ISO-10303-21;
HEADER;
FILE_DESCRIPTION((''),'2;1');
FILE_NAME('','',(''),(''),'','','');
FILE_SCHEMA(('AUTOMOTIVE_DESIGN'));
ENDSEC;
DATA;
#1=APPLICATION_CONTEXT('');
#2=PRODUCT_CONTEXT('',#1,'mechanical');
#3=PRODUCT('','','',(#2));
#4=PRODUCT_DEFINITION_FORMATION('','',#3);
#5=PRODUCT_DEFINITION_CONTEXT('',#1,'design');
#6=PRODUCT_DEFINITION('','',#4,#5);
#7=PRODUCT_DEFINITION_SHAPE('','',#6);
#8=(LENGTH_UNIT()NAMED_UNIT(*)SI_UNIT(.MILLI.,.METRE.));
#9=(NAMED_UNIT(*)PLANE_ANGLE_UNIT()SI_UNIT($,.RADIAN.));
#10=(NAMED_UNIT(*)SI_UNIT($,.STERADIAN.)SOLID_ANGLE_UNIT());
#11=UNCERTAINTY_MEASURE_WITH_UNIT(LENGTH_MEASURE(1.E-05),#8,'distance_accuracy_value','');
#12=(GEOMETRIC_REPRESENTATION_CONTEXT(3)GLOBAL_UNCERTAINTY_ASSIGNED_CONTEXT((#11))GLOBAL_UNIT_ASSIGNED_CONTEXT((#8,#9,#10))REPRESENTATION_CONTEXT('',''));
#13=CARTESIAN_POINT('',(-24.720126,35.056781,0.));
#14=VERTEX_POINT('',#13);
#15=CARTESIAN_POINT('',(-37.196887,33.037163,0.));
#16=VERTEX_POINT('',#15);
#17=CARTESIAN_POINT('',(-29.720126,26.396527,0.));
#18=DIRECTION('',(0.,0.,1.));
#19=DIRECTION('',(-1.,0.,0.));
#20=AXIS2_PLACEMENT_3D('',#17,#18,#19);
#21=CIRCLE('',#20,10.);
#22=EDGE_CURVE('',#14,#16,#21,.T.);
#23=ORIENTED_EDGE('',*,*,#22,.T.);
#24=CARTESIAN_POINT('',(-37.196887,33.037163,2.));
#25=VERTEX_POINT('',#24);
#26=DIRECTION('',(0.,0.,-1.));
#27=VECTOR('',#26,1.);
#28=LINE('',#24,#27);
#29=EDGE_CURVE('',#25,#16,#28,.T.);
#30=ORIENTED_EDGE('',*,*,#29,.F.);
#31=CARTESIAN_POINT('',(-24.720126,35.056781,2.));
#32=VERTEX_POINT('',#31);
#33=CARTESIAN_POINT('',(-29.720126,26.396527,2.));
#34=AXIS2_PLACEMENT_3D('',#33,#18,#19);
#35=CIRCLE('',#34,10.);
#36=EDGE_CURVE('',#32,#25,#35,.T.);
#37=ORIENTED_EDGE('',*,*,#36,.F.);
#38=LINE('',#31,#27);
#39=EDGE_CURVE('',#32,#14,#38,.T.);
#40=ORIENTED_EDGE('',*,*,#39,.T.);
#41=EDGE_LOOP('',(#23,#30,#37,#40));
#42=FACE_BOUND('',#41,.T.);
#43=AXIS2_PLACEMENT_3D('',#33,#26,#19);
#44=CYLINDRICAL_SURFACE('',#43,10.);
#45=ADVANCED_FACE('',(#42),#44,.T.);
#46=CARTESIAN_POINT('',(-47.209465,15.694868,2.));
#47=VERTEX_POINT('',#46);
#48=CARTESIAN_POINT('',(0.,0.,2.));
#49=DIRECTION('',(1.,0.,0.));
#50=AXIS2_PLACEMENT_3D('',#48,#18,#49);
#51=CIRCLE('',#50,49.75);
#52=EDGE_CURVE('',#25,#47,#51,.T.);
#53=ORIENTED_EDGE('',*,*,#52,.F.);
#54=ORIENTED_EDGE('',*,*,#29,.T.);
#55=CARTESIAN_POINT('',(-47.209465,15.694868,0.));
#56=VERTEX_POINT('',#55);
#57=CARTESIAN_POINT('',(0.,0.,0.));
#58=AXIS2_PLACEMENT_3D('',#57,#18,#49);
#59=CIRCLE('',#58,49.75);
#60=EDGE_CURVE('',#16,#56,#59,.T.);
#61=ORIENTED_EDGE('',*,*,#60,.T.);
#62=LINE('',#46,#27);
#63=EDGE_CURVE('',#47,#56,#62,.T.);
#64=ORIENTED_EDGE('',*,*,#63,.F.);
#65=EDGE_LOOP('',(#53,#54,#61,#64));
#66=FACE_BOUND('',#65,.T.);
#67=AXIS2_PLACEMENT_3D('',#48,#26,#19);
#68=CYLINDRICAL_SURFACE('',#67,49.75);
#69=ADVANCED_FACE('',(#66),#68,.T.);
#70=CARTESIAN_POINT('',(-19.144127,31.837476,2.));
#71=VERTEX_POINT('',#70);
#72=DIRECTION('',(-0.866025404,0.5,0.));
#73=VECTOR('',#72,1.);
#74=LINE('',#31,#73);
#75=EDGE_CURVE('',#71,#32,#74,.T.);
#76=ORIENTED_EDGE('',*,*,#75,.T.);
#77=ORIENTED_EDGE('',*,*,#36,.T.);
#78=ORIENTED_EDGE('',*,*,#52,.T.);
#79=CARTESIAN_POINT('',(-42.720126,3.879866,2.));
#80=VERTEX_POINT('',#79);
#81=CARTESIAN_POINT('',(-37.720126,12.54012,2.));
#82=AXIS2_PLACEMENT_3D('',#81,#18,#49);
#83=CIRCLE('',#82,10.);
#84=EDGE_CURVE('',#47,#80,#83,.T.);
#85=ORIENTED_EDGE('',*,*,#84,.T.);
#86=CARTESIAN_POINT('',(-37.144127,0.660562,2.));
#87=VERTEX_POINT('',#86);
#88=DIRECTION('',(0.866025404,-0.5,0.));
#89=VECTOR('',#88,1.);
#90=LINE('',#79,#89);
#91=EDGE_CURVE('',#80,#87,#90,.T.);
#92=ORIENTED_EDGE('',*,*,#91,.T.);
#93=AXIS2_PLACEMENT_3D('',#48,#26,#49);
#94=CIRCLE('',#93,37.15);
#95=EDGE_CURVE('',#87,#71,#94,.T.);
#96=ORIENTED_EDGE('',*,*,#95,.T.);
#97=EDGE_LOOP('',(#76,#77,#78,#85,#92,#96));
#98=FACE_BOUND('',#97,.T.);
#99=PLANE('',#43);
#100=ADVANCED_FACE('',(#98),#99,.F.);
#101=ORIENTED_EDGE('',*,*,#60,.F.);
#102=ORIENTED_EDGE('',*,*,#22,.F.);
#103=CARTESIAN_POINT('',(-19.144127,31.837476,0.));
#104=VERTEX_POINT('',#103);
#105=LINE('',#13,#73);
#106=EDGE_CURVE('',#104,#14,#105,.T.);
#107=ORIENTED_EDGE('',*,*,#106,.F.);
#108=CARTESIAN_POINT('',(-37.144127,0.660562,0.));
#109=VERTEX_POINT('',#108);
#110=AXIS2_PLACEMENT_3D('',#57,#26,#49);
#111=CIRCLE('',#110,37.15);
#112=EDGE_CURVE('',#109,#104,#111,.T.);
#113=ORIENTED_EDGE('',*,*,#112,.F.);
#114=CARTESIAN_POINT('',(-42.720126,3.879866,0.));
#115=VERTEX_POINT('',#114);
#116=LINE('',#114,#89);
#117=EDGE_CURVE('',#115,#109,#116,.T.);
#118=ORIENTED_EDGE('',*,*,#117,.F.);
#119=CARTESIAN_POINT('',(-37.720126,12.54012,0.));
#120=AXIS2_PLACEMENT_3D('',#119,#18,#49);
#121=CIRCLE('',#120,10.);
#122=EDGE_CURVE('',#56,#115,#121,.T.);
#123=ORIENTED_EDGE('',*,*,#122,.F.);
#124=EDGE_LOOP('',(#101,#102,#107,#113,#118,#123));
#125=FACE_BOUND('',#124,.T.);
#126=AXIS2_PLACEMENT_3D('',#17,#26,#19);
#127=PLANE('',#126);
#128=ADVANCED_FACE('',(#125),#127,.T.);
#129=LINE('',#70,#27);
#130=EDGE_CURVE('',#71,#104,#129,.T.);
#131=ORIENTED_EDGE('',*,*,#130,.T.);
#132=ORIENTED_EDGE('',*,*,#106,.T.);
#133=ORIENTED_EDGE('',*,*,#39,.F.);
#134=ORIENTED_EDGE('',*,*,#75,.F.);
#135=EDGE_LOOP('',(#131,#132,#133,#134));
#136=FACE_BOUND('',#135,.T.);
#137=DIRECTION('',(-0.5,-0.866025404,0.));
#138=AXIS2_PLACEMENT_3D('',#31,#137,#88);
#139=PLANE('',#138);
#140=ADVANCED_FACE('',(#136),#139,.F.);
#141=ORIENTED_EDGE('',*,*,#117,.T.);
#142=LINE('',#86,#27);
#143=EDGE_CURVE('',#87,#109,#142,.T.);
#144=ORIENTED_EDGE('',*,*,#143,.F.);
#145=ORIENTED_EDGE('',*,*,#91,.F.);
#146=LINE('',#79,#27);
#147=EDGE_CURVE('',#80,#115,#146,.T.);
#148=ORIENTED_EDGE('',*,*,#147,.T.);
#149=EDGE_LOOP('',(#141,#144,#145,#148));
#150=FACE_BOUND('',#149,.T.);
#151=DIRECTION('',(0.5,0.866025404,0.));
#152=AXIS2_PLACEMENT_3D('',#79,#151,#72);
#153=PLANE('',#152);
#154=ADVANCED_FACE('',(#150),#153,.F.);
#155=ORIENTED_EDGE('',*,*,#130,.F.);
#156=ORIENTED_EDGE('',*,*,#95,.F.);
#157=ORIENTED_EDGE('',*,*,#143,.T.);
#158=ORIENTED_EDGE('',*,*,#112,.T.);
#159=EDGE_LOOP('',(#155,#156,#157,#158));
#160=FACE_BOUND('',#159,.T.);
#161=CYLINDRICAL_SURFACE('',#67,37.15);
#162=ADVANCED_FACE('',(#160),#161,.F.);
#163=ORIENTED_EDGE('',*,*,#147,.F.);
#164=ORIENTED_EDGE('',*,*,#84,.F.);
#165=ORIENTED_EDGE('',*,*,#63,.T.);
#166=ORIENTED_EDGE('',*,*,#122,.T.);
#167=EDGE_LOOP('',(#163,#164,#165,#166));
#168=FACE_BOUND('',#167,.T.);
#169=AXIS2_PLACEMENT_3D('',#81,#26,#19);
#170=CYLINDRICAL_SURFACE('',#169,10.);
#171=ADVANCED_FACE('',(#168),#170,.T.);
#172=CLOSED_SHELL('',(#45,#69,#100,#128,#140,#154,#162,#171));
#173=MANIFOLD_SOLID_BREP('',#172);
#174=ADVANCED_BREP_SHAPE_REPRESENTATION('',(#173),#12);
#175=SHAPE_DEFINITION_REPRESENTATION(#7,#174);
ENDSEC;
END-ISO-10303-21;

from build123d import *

# Parameters (mm, degrees)
BOSS_EXTRUDE1_DEPTH = 2


with BuildPart() as part:
    # Sketch1 → Boss-Extrude1 (new body)
    with BuildSketch(Plane.XY):
        with BuildLine():
            Line((-42.720125667, 3.879866363), (-37.14412683, 0.660561933))
            ThreePointArc((-37.14412683, 0.660561933), (-32.172843751, 18.575), (-19.14412683, 31.837476469))
            Line((-19.14412683, 31.837476469), (-24.720125667, 35.056780899))
            ThreePointArc((-24.720125667, 35.056780899), (-31.318030873, 36.268036318), (-37.196886841, 33.03716255))
            ThreePointArc((-37.196886841, 33.03716255), (-43.084763838, 24.875), (-47.209465457, 15.694867671))
            ThreePointArc((-47.209465457, 15.694867671), (-47.068056233, 8.988192174), (-42.720125667, 3.879866363))
        make_face()
    extrude(amount=BOSS_EXTRUDE1_DEPTH)


solid = part.part
